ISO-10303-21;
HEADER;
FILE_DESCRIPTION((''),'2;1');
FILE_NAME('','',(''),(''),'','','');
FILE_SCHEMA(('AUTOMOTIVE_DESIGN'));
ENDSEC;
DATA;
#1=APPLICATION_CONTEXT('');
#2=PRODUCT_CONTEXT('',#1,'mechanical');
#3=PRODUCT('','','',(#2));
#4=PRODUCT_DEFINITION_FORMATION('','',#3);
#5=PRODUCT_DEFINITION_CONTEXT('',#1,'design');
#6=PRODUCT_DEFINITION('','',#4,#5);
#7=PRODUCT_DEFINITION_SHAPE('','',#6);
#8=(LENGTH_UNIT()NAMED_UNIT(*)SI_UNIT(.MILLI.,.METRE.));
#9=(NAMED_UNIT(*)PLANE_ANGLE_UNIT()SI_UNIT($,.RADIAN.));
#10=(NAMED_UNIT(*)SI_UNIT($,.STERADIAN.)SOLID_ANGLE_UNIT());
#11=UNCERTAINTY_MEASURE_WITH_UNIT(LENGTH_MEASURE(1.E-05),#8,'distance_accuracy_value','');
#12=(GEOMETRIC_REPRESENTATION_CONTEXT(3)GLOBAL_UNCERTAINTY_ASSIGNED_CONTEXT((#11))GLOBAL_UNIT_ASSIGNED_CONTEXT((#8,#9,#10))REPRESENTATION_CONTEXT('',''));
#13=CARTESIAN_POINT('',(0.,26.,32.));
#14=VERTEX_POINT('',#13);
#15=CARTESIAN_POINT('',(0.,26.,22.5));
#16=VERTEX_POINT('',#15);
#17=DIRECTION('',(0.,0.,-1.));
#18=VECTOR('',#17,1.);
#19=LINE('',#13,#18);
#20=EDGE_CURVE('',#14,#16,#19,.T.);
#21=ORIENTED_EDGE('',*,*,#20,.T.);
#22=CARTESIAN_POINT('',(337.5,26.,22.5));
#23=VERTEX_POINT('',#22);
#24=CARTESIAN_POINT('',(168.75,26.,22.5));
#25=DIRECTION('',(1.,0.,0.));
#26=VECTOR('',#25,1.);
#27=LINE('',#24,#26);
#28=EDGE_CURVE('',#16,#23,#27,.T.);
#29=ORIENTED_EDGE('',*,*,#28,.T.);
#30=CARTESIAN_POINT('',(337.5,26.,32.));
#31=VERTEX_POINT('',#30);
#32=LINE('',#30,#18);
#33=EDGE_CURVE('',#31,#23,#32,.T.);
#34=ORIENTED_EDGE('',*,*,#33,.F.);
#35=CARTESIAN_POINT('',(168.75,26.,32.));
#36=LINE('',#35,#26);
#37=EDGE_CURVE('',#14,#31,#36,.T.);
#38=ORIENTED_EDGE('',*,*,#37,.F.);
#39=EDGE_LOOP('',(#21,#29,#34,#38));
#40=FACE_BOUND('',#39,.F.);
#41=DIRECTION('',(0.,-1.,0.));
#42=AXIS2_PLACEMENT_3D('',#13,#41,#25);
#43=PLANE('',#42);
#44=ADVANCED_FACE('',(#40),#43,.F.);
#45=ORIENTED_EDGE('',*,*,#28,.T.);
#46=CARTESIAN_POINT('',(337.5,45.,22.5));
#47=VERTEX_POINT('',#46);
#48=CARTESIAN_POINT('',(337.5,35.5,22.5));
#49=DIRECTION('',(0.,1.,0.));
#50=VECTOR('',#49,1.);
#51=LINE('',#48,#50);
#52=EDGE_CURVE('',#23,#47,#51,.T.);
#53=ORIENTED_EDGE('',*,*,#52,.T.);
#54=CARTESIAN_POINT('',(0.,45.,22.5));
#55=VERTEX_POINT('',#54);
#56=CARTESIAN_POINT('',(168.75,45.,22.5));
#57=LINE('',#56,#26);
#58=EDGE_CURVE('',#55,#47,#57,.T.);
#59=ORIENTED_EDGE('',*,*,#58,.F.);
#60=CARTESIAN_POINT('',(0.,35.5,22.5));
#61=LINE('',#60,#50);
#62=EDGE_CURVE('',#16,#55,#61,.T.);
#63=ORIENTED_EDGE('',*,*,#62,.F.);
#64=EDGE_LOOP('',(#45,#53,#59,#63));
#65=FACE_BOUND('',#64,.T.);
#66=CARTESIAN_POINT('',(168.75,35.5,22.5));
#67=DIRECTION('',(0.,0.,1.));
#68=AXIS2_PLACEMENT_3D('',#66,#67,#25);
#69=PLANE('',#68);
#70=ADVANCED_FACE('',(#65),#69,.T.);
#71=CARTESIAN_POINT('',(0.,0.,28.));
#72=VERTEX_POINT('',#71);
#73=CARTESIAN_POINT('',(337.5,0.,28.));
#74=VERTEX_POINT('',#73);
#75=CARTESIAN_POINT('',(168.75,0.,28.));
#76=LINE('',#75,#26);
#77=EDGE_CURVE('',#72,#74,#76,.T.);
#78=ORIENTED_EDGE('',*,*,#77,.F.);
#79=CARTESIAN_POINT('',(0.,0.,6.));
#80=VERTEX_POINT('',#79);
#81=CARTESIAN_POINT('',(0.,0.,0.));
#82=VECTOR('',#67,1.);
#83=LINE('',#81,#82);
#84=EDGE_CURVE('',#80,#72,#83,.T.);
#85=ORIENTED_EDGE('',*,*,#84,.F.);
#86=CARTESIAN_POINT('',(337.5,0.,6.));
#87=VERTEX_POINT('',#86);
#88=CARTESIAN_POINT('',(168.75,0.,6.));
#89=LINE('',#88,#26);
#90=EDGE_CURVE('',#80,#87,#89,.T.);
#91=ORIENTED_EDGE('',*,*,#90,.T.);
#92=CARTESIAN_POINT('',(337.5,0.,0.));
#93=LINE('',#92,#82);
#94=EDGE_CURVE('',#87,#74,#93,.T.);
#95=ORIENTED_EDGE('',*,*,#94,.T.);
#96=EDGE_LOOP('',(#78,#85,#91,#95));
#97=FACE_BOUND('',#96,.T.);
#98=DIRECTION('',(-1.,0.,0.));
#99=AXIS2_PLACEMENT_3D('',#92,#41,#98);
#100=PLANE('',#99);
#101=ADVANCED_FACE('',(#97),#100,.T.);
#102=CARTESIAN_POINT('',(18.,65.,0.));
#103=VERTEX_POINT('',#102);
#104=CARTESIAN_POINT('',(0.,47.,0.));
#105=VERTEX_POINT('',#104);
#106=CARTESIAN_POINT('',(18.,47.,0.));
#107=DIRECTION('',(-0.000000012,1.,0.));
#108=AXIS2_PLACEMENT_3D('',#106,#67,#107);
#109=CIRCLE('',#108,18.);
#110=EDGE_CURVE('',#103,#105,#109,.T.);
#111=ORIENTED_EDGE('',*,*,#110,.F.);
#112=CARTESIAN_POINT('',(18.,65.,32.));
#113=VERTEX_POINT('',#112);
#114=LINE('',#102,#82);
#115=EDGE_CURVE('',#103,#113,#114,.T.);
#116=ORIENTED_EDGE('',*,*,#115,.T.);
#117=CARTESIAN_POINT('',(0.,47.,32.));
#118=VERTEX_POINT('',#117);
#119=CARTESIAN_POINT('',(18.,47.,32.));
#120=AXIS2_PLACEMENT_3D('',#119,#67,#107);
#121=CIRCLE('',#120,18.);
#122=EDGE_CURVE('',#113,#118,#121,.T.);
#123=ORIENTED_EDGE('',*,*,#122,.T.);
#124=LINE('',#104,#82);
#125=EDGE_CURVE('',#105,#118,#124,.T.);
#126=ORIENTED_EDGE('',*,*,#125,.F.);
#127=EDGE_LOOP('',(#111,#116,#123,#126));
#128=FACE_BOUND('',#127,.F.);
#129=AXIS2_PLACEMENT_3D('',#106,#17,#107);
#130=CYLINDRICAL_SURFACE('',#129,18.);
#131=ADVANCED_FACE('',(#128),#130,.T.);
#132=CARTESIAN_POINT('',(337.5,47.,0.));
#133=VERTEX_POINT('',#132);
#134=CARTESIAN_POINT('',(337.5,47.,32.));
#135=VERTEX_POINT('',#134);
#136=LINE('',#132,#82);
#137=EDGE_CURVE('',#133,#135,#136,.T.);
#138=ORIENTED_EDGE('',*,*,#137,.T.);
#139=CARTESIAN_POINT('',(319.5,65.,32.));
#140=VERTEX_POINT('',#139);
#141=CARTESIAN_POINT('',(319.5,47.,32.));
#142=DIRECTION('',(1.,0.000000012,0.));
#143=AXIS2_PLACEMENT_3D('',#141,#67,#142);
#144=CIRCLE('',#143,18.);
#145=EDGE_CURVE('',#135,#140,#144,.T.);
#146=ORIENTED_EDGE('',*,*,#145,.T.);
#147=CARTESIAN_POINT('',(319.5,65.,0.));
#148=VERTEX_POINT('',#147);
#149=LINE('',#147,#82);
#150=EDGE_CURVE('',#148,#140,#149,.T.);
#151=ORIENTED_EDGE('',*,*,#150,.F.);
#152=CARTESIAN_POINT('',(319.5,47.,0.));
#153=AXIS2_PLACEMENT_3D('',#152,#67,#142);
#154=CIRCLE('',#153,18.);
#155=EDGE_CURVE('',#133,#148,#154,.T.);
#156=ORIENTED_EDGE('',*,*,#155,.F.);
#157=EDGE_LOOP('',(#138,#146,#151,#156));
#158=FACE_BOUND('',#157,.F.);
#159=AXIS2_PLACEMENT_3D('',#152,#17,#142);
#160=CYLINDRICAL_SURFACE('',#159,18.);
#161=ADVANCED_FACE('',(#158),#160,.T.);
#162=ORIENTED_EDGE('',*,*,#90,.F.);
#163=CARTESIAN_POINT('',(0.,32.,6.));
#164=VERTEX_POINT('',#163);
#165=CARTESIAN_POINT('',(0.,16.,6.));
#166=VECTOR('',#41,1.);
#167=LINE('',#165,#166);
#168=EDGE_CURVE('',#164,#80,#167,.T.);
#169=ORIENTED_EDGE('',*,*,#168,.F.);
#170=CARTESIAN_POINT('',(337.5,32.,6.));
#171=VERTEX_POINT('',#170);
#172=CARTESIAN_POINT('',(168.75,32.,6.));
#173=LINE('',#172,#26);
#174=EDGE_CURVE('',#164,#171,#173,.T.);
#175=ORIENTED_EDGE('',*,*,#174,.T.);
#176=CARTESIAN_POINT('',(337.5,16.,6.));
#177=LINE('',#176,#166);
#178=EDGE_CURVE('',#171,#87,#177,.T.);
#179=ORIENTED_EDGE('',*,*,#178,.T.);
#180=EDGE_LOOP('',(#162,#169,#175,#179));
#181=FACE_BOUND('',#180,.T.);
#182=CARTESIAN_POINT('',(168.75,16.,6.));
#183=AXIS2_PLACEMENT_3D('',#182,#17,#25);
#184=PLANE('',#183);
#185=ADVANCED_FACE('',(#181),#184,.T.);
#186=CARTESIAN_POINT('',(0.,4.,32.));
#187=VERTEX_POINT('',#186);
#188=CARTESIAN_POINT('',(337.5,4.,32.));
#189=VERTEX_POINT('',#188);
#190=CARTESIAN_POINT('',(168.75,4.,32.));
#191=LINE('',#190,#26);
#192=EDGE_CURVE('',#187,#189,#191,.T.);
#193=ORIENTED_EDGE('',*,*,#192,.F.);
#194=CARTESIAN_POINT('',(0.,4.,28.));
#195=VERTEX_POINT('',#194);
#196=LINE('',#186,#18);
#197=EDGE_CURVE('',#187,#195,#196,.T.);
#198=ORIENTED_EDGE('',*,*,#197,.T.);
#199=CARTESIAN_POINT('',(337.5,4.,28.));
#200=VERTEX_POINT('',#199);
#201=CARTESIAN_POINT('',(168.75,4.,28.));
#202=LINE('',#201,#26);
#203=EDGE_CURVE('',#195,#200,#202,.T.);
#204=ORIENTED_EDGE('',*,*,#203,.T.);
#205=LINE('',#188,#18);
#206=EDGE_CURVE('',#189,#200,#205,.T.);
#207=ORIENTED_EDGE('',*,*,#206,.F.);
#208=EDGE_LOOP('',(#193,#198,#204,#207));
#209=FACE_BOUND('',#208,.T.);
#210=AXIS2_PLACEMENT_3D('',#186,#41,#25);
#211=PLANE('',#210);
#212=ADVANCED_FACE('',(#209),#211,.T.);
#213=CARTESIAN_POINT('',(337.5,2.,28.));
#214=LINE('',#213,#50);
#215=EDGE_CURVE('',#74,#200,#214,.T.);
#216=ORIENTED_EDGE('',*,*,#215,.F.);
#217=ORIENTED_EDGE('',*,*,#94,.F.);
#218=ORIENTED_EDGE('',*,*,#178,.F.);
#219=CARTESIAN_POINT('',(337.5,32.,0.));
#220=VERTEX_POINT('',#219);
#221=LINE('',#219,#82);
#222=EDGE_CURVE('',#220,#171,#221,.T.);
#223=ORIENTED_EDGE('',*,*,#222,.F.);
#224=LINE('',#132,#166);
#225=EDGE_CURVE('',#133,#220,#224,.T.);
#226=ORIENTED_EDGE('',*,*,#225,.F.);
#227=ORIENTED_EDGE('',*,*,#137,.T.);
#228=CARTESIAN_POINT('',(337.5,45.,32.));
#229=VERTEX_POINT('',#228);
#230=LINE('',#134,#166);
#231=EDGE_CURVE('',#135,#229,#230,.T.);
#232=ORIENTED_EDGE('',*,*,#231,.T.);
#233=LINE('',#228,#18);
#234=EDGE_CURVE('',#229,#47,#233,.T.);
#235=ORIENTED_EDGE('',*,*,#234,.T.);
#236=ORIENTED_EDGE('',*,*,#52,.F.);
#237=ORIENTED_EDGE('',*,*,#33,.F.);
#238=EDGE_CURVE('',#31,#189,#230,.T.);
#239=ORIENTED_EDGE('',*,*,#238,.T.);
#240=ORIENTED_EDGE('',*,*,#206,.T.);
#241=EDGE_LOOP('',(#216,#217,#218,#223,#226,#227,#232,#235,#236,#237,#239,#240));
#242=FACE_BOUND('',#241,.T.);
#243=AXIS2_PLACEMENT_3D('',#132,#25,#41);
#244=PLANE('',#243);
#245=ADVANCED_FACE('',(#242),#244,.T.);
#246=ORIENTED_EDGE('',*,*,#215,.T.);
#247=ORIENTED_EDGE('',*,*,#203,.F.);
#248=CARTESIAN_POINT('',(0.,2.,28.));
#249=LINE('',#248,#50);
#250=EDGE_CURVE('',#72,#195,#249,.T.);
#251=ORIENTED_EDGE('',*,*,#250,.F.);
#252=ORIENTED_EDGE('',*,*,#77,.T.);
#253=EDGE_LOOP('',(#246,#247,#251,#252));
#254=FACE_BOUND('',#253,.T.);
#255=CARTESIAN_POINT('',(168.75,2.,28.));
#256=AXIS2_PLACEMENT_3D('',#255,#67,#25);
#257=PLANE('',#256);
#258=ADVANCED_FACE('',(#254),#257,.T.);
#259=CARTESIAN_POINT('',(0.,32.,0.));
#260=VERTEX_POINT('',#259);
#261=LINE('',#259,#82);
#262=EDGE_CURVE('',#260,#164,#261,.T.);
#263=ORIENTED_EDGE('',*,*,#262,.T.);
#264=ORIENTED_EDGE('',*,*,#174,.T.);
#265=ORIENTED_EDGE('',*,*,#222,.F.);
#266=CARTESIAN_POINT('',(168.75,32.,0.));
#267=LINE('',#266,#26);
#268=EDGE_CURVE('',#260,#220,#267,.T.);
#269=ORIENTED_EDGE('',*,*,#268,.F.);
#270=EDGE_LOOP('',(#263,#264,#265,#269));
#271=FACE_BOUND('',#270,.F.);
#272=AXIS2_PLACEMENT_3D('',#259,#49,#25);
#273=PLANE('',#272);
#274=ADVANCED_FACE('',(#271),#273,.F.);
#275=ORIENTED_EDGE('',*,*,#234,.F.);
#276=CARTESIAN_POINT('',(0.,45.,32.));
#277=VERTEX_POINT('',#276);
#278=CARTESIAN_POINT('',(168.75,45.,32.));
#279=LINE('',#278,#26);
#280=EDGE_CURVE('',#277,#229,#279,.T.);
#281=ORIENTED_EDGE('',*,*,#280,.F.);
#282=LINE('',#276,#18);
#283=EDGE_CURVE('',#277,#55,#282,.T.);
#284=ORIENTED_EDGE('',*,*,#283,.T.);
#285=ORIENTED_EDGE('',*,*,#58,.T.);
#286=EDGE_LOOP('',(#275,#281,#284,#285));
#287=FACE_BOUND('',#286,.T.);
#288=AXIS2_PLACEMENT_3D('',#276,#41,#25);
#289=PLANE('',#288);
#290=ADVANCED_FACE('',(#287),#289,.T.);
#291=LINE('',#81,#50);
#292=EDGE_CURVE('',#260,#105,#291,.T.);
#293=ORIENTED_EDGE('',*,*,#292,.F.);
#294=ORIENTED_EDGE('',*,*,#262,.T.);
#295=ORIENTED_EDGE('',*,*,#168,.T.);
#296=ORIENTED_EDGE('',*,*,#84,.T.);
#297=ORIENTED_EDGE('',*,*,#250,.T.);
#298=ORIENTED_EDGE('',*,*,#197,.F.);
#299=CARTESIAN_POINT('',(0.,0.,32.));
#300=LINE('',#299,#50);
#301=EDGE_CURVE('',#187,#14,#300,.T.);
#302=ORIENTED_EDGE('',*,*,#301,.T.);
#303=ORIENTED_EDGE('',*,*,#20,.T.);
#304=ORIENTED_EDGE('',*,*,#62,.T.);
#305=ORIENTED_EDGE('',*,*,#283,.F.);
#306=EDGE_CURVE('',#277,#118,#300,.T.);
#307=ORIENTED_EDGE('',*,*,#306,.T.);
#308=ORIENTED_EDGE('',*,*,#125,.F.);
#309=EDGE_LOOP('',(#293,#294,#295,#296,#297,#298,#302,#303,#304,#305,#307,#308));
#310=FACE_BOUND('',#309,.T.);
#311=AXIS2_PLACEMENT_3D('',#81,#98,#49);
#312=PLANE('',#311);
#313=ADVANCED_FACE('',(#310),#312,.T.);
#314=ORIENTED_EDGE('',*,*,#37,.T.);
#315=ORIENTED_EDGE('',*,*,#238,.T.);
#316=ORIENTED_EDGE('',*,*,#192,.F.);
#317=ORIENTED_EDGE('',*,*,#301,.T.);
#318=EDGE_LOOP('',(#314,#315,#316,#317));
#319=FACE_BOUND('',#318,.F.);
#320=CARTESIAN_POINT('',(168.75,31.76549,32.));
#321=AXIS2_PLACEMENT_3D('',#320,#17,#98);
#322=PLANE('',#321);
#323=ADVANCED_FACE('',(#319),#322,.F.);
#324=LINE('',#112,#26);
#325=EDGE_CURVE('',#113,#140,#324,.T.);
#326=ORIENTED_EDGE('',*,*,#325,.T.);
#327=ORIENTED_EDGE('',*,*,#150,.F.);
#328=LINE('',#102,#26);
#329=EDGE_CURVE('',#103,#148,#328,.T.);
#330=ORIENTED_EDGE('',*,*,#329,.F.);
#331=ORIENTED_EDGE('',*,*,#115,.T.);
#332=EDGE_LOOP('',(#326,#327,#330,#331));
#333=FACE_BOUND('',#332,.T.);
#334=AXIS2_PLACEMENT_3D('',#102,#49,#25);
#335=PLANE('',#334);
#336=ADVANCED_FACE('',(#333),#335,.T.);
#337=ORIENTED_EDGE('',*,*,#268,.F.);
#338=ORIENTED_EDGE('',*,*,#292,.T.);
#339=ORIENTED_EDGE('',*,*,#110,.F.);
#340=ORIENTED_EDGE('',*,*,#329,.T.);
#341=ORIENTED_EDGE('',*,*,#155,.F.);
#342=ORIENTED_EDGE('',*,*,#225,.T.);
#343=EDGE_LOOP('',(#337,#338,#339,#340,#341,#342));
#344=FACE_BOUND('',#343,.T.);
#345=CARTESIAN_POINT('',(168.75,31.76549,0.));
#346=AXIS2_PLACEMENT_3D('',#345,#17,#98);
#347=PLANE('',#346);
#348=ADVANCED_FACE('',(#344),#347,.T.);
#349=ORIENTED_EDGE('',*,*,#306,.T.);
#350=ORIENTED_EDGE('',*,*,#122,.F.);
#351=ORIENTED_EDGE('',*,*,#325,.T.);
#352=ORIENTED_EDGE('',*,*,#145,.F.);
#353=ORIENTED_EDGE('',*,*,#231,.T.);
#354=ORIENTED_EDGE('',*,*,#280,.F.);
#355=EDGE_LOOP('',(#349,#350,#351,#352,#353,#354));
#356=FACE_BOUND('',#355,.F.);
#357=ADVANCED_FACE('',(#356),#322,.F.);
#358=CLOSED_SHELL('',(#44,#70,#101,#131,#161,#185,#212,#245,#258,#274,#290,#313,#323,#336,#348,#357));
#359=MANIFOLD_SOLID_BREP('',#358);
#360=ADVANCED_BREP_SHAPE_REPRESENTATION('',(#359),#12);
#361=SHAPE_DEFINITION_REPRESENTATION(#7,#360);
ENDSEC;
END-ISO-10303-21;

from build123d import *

# Parameters (mm, degrees)
PAD005_DEPTH    = 32
SKETCH013_W     = 337.5
SKETCH013_H     = 19
POCKET007_DEPTH = 9.5
SKETCH014_W     = 337.5
SKETCH014_H     = 4
POCKET008_DEPTH = 4
SKETCH015_W     = 337.5
SKETCH015_H     = 32
POCKET009_DEPTH = 6


with BuildPart() as part:
    # Sketch012 → Pad005 (new body)
    with BuildSketch(Plane.XY):
        with BuildLine():
            Line((18, 65), (319.5, 65))
            ThreePointArc((337.5, 47), (332.227922, 59.727922), (319.5, 65))
            Line((337.5, 47), (337.5, 0))
            Line((337.5, 0), (0, 0))
            Line((0, 0), (0, 47))
            ThreePointArc((18, 65), (5.272078, 59.727922), (0, 47))
        make_face()
    extrude(amount=PAD005_DEPTH)

    # Sketch013 (on Face8 of Pad005) → Pocket007 (cut)
    with BuildSketch(Plane.XY.offset(32)):
        with Locations((168.75, 35.5)):
            Rectangle(SKETCH013_W, SKETCH013_H)
    extrude(amount=-POCKET007_DEPTH, mode=Mode.SUBTRACT)

    # Sketch014 (on Face4 of Pocket007) → Pocket008 (cut)
    with BuildSketch(Plane.XY.offset(32)):
        with Locations((168.75, 2)):
            Rectangle(SKETCH014_W, SKETCH014_H)
    extrude(amount=-POCKET008_DEPTH, mode=Mode.SUBTRACT)

    # Sketch015 (on Face2 of Pocket008) → Pocket009 (cut)
    with BuildSketch(Plane(origin=(0, 0, 0), x_dir=(1, 0, 0), z_dir=(0, 0, -1))):
        with Locations((168.75, -16)):
            Rectangle(SKETCH015_W, SKETCH015_H)
    extrude(amount=-POCKET009_DEPTH, mode=Mode.SUBTRACT)


solid = part.part
